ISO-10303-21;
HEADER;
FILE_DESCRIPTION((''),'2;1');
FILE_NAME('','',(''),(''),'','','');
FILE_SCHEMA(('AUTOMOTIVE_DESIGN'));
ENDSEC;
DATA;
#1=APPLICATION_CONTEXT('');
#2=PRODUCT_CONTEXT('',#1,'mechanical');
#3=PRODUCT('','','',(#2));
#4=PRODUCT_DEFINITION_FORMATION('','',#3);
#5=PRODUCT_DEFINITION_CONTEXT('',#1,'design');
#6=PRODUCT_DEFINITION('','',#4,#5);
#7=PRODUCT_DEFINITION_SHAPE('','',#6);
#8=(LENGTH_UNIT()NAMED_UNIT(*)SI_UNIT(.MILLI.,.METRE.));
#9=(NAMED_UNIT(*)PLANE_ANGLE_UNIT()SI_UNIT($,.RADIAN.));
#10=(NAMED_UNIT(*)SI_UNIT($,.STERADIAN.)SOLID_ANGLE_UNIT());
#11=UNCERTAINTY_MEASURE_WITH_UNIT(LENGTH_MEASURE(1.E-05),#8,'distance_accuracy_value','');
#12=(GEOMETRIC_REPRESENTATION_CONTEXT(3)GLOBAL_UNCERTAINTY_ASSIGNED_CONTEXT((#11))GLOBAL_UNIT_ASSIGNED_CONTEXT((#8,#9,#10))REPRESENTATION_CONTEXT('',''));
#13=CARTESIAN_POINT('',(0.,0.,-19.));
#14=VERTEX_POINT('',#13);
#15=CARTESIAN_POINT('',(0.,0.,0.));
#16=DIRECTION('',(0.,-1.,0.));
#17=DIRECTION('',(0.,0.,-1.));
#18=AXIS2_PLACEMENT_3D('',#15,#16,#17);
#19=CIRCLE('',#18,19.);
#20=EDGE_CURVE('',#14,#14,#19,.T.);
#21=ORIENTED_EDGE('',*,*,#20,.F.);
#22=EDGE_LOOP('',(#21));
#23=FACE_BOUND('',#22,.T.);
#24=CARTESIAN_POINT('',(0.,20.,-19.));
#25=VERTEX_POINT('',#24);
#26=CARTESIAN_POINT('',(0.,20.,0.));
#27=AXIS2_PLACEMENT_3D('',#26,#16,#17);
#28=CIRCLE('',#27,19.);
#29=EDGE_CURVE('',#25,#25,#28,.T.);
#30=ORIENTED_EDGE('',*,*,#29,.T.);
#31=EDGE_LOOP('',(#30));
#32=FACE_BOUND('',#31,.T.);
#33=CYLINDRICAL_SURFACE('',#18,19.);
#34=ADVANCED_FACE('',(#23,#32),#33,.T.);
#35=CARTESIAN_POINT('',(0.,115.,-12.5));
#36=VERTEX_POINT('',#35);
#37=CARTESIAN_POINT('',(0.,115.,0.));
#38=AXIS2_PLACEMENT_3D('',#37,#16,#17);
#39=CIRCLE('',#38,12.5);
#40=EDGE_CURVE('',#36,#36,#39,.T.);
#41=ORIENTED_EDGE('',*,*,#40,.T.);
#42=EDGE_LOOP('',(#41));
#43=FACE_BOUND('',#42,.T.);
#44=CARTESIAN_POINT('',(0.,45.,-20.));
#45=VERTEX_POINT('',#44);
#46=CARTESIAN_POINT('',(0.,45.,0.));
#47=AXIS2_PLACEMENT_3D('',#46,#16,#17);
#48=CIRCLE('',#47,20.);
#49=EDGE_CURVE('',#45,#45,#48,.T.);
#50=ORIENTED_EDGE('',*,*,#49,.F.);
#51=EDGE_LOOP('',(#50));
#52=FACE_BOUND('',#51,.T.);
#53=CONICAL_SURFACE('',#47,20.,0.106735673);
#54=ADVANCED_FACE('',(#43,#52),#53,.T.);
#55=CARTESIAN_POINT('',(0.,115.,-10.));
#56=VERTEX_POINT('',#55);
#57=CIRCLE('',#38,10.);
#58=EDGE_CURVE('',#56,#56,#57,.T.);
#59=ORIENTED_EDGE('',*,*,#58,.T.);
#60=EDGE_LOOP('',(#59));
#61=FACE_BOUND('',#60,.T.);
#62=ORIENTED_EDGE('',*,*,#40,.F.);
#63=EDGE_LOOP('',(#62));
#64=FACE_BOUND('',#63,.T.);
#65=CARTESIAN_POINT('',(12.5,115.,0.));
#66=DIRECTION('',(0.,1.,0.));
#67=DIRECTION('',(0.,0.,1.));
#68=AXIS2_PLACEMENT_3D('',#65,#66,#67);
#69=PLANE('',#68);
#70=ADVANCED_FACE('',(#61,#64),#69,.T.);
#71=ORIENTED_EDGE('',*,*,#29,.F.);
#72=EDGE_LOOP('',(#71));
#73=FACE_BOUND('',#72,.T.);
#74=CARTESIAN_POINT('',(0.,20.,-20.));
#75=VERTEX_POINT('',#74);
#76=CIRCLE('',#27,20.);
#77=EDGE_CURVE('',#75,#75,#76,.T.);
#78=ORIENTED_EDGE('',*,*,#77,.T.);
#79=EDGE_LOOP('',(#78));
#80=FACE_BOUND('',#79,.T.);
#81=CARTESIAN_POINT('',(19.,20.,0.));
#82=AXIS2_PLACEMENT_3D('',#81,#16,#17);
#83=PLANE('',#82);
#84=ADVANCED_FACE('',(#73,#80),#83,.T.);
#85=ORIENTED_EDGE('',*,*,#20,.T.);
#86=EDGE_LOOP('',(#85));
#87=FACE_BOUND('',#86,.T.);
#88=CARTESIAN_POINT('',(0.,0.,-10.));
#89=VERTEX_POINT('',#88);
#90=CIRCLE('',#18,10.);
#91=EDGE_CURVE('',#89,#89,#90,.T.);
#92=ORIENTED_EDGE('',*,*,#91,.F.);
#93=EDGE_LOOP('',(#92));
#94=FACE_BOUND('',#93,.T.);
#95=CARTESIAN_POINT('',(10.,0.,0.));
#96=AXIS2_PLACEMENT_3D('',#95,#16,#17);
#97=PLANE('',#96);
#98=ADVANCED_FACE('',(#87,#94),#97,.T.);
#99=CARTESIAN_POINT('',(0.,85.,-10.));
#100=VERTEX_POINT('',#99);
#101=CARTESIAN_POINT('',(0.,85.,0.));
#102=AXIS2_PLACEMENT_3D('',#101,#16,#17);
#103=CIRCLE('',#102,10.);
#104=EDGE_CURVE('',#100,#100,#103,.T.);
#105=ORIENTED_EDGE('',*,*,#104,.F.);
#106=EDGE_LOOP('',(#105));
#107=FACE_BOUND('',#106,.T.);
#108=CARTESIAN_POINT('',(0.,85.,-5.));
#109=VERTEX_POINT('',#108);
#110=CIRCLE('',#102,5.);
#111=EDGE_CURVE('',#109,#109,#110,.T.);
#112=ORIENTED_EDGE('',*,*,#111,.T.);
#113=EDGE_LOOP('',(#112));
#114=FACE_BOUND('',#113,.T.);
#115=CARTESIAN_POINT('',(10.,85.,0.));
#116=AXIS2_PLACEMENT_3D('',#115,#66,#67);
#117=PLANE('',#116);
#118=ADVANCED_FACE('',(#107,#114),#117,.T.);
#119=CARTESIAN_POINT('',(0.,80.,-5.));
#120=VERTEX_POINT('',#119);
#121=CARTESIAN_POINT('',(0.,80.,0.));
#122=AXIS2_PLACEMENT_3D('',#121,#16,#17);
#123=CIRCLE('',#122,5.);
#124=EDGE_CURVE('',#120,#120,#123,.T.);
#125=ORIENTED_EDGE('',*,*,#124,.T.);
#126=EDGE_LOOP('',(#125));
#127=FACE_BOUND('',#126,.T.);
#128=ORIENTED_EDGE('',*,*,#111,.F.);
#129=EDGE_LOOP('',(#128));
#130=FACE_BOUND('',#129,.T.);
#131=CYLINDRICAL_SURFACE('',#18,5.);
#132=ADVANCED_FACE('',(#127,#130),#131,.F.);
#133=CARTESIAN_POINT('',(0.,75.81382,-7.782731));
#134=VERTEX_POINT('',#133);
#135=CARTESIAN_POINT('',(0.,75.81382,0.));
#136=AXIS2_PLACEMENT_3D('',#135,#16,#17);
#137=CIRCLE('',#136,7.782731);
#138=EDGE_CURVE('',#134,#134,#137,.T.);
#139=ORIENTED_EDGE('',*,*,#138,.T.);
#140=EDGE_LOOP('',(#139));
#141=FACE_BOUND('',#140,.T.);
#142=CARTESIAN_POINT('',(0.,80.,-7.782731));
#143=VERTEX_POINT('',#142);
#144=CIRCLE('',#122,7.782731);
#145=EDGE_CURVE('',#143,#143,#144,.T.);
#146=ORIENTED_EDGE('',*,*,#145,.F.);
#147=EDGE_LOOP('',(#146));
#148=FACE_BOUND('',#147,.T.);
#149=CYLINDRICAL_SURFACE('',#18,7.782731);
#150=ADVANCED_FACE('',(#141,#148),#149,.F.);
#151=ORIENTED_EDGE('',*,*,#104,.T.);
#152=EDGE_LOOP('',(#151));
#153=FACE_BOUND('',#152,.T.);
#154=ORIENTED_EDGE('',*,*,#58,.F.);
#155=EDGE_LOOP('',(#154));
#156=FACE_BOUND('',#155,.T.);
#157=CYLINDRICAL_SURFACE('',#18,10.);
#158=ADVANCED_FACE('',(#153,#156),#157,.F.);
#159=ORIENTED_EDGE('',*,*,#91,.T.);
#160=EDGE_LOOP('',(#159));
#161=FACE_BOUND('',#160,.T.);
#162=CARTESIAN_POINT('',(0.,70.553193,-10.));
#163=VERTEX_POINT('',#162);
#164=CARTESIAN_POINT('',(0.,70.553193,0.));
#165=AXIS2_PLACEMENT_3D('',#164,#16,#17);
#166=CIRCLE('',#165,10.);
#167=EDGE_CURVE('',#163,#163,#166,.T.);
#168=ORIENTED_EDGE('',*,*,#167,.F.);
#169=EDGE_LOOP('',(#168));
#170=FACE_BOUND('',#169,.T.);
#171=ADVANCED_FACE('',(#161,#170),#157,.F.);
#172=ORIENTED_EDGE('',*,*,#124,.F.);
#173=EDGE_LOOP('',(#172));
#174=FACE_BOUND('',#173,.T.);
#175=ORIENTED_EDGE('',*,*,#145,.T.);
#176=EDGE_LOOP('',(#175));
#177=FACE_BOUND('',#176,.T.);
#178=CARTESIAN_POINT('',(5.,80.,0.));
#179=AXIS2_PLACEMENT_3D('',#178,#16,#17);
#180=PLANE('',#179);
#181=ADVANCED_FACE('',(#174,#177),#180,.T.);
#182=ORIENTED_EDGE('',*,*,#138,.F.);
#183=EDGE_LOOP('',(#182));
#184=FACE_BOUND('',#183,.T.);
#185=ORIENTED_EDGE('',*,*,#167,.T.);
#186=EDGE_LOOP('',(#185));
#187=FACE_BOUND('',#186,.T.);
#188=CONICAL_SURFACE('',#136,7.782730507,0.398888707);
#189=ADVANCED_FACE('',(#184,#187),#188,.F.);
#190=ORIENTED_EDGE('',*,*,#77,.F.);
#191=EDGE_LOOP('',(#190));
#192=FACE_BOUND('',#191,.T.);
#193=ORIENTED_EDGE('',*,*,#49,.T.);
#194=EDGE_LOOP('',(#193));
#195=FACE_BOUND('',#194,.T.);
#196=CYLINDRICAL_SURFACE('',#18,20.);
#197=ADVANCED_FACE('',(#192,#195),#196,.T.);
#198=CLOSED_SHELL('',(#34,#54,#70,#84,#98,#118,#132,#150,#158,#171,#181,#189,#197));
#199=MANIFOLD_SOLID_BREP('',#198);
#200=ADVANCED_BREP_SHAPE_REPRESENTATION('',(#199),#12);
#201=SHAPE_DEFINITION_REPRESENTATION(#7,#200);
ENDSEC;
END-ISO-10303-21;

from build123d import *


with BuildPart() as part:
    # 스케치1 → 회전1 (revolve)
    with BuildSketch(Plane.XY, mode=Mode.PRIVATE) as revolve_1_sk:
        Polygon((10, 0), (19, 0), (19, 20), (20, 20), (20, 45), (12.5, 115), (10, 115), (10, 85), (5, 85), (5, 80), (7.782730507, 80), (7.782730507, 75.813819554), (10, 70.553192673), align=None)
    revolve(revolve_1_sk.sketch.rotate(Axis((0, 0, 0), (0, 1, 0)), 90), axis=Axis((0, 0, 0), (0, 1, 0)))


solid = part.part
